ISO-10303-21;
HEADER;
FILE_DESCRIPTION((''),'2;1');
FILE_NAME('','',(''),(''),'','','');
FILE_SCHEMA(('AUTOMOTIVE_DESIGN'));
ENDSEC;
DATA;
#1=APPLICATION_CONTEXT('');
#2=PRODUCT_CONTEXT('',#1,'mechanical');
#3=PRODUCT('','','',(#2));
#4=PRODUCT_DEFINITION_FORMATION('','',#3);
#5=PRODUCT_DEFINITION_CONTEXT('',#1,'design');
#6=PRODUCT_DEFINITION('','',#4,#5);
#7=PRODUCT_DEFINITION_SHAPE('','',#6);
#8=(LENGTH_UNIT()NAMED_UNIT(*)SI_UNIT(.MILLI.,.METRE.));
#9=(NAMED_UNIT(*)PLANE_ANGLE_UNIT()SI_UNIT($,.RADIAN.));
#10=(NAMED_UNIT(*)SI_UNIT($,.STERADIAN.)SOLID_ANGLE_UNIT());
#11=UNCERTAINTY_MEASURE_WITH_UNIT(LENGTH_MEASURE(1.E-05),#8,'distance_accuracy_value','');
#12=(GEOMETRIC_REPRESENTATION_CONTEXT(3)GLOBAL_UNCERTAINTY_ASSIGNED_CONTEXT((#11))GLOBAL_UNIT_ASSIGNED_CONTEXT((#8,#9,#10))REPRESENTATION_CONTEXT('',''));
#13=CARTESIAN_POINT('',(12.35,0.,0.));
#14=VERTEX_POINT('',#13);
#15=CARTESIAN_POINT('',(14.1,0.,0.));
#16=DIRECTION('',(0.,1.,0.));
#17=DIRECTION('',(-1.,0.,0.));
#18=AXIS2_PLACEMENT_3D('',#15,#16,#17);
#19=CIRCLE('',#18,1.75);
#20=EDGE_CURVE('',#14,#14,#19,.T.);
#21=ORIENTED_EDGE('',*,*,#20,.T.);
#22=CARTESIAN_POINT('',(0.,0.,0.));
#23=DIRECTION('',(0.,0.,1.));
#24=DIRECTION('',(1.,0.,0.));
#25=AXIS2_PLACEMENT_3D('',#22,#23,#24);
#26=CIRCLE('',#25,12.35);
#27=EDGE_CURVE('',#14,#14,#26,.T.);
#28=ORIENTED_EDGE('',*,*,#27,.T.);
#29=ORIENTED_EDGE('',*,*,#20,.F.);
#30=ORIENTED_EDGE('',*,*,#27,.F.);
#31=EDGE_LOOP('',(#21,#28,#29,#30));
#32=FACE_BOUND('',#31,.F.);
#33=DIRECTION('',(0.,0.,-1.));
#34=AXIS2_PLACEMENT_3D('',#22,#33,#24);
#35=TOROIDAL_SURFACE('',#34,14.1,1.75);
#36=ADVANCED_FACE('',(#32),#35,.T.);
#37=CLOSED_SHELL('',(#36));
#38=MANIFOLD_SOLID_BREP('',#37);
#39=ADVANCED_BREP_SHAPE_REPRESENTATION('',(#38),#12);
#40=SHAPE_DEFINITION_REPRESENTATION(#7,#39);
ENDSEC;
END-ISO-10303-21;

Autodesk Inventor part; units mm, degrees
ref_plane "YZ Plane" through (0, 0, 0) normal (1, 0, 0) x (0, 1, 0)
ref_plane "XZ Plane" through (0, 0, 0) normal (0, 1, 0) x (-1, 0, 0)
ref_plane "XY Plane" through (0, 0, 0) normal (0, 0, 1) x (1, 0, 0)
sketch "スケッチ1" plane through (0, 0, 0) normal (0, 1, 0) x (-1, 0, 0)
  line L0 (0, 0) -> (-88.8094, 0) construction
  circle A0 centre (0, 0) radius 12.35 construction
  circle A1 centre (0, 0) radius 15.85 construction
  line L1 (-15.85, -14.3346) -> (-15.85, 14.3346) construction
  line L2 (-14.1, 17.2911) -> (-14.1, -17.2911) construction
  line L3 (-12.35, -14.4815) -> (-12.35, 14.4815) construction
  circle A2 centre (-14.1, 0) radius 1.75
  line L4 (0, -24.2075) -> (0, 24.2075) projected
  point P0 (-15.85, 0)
  point P1 (-12.35, 0)
  dimension "IN_D" = 24.7
  dimension "W_D" = 3.5
revolve "回転1" add sketch "スケッチ1" angle 360 about axis through (0, 0, -10) along (0, 0, 1)
properties part number "O-ring_D63"
